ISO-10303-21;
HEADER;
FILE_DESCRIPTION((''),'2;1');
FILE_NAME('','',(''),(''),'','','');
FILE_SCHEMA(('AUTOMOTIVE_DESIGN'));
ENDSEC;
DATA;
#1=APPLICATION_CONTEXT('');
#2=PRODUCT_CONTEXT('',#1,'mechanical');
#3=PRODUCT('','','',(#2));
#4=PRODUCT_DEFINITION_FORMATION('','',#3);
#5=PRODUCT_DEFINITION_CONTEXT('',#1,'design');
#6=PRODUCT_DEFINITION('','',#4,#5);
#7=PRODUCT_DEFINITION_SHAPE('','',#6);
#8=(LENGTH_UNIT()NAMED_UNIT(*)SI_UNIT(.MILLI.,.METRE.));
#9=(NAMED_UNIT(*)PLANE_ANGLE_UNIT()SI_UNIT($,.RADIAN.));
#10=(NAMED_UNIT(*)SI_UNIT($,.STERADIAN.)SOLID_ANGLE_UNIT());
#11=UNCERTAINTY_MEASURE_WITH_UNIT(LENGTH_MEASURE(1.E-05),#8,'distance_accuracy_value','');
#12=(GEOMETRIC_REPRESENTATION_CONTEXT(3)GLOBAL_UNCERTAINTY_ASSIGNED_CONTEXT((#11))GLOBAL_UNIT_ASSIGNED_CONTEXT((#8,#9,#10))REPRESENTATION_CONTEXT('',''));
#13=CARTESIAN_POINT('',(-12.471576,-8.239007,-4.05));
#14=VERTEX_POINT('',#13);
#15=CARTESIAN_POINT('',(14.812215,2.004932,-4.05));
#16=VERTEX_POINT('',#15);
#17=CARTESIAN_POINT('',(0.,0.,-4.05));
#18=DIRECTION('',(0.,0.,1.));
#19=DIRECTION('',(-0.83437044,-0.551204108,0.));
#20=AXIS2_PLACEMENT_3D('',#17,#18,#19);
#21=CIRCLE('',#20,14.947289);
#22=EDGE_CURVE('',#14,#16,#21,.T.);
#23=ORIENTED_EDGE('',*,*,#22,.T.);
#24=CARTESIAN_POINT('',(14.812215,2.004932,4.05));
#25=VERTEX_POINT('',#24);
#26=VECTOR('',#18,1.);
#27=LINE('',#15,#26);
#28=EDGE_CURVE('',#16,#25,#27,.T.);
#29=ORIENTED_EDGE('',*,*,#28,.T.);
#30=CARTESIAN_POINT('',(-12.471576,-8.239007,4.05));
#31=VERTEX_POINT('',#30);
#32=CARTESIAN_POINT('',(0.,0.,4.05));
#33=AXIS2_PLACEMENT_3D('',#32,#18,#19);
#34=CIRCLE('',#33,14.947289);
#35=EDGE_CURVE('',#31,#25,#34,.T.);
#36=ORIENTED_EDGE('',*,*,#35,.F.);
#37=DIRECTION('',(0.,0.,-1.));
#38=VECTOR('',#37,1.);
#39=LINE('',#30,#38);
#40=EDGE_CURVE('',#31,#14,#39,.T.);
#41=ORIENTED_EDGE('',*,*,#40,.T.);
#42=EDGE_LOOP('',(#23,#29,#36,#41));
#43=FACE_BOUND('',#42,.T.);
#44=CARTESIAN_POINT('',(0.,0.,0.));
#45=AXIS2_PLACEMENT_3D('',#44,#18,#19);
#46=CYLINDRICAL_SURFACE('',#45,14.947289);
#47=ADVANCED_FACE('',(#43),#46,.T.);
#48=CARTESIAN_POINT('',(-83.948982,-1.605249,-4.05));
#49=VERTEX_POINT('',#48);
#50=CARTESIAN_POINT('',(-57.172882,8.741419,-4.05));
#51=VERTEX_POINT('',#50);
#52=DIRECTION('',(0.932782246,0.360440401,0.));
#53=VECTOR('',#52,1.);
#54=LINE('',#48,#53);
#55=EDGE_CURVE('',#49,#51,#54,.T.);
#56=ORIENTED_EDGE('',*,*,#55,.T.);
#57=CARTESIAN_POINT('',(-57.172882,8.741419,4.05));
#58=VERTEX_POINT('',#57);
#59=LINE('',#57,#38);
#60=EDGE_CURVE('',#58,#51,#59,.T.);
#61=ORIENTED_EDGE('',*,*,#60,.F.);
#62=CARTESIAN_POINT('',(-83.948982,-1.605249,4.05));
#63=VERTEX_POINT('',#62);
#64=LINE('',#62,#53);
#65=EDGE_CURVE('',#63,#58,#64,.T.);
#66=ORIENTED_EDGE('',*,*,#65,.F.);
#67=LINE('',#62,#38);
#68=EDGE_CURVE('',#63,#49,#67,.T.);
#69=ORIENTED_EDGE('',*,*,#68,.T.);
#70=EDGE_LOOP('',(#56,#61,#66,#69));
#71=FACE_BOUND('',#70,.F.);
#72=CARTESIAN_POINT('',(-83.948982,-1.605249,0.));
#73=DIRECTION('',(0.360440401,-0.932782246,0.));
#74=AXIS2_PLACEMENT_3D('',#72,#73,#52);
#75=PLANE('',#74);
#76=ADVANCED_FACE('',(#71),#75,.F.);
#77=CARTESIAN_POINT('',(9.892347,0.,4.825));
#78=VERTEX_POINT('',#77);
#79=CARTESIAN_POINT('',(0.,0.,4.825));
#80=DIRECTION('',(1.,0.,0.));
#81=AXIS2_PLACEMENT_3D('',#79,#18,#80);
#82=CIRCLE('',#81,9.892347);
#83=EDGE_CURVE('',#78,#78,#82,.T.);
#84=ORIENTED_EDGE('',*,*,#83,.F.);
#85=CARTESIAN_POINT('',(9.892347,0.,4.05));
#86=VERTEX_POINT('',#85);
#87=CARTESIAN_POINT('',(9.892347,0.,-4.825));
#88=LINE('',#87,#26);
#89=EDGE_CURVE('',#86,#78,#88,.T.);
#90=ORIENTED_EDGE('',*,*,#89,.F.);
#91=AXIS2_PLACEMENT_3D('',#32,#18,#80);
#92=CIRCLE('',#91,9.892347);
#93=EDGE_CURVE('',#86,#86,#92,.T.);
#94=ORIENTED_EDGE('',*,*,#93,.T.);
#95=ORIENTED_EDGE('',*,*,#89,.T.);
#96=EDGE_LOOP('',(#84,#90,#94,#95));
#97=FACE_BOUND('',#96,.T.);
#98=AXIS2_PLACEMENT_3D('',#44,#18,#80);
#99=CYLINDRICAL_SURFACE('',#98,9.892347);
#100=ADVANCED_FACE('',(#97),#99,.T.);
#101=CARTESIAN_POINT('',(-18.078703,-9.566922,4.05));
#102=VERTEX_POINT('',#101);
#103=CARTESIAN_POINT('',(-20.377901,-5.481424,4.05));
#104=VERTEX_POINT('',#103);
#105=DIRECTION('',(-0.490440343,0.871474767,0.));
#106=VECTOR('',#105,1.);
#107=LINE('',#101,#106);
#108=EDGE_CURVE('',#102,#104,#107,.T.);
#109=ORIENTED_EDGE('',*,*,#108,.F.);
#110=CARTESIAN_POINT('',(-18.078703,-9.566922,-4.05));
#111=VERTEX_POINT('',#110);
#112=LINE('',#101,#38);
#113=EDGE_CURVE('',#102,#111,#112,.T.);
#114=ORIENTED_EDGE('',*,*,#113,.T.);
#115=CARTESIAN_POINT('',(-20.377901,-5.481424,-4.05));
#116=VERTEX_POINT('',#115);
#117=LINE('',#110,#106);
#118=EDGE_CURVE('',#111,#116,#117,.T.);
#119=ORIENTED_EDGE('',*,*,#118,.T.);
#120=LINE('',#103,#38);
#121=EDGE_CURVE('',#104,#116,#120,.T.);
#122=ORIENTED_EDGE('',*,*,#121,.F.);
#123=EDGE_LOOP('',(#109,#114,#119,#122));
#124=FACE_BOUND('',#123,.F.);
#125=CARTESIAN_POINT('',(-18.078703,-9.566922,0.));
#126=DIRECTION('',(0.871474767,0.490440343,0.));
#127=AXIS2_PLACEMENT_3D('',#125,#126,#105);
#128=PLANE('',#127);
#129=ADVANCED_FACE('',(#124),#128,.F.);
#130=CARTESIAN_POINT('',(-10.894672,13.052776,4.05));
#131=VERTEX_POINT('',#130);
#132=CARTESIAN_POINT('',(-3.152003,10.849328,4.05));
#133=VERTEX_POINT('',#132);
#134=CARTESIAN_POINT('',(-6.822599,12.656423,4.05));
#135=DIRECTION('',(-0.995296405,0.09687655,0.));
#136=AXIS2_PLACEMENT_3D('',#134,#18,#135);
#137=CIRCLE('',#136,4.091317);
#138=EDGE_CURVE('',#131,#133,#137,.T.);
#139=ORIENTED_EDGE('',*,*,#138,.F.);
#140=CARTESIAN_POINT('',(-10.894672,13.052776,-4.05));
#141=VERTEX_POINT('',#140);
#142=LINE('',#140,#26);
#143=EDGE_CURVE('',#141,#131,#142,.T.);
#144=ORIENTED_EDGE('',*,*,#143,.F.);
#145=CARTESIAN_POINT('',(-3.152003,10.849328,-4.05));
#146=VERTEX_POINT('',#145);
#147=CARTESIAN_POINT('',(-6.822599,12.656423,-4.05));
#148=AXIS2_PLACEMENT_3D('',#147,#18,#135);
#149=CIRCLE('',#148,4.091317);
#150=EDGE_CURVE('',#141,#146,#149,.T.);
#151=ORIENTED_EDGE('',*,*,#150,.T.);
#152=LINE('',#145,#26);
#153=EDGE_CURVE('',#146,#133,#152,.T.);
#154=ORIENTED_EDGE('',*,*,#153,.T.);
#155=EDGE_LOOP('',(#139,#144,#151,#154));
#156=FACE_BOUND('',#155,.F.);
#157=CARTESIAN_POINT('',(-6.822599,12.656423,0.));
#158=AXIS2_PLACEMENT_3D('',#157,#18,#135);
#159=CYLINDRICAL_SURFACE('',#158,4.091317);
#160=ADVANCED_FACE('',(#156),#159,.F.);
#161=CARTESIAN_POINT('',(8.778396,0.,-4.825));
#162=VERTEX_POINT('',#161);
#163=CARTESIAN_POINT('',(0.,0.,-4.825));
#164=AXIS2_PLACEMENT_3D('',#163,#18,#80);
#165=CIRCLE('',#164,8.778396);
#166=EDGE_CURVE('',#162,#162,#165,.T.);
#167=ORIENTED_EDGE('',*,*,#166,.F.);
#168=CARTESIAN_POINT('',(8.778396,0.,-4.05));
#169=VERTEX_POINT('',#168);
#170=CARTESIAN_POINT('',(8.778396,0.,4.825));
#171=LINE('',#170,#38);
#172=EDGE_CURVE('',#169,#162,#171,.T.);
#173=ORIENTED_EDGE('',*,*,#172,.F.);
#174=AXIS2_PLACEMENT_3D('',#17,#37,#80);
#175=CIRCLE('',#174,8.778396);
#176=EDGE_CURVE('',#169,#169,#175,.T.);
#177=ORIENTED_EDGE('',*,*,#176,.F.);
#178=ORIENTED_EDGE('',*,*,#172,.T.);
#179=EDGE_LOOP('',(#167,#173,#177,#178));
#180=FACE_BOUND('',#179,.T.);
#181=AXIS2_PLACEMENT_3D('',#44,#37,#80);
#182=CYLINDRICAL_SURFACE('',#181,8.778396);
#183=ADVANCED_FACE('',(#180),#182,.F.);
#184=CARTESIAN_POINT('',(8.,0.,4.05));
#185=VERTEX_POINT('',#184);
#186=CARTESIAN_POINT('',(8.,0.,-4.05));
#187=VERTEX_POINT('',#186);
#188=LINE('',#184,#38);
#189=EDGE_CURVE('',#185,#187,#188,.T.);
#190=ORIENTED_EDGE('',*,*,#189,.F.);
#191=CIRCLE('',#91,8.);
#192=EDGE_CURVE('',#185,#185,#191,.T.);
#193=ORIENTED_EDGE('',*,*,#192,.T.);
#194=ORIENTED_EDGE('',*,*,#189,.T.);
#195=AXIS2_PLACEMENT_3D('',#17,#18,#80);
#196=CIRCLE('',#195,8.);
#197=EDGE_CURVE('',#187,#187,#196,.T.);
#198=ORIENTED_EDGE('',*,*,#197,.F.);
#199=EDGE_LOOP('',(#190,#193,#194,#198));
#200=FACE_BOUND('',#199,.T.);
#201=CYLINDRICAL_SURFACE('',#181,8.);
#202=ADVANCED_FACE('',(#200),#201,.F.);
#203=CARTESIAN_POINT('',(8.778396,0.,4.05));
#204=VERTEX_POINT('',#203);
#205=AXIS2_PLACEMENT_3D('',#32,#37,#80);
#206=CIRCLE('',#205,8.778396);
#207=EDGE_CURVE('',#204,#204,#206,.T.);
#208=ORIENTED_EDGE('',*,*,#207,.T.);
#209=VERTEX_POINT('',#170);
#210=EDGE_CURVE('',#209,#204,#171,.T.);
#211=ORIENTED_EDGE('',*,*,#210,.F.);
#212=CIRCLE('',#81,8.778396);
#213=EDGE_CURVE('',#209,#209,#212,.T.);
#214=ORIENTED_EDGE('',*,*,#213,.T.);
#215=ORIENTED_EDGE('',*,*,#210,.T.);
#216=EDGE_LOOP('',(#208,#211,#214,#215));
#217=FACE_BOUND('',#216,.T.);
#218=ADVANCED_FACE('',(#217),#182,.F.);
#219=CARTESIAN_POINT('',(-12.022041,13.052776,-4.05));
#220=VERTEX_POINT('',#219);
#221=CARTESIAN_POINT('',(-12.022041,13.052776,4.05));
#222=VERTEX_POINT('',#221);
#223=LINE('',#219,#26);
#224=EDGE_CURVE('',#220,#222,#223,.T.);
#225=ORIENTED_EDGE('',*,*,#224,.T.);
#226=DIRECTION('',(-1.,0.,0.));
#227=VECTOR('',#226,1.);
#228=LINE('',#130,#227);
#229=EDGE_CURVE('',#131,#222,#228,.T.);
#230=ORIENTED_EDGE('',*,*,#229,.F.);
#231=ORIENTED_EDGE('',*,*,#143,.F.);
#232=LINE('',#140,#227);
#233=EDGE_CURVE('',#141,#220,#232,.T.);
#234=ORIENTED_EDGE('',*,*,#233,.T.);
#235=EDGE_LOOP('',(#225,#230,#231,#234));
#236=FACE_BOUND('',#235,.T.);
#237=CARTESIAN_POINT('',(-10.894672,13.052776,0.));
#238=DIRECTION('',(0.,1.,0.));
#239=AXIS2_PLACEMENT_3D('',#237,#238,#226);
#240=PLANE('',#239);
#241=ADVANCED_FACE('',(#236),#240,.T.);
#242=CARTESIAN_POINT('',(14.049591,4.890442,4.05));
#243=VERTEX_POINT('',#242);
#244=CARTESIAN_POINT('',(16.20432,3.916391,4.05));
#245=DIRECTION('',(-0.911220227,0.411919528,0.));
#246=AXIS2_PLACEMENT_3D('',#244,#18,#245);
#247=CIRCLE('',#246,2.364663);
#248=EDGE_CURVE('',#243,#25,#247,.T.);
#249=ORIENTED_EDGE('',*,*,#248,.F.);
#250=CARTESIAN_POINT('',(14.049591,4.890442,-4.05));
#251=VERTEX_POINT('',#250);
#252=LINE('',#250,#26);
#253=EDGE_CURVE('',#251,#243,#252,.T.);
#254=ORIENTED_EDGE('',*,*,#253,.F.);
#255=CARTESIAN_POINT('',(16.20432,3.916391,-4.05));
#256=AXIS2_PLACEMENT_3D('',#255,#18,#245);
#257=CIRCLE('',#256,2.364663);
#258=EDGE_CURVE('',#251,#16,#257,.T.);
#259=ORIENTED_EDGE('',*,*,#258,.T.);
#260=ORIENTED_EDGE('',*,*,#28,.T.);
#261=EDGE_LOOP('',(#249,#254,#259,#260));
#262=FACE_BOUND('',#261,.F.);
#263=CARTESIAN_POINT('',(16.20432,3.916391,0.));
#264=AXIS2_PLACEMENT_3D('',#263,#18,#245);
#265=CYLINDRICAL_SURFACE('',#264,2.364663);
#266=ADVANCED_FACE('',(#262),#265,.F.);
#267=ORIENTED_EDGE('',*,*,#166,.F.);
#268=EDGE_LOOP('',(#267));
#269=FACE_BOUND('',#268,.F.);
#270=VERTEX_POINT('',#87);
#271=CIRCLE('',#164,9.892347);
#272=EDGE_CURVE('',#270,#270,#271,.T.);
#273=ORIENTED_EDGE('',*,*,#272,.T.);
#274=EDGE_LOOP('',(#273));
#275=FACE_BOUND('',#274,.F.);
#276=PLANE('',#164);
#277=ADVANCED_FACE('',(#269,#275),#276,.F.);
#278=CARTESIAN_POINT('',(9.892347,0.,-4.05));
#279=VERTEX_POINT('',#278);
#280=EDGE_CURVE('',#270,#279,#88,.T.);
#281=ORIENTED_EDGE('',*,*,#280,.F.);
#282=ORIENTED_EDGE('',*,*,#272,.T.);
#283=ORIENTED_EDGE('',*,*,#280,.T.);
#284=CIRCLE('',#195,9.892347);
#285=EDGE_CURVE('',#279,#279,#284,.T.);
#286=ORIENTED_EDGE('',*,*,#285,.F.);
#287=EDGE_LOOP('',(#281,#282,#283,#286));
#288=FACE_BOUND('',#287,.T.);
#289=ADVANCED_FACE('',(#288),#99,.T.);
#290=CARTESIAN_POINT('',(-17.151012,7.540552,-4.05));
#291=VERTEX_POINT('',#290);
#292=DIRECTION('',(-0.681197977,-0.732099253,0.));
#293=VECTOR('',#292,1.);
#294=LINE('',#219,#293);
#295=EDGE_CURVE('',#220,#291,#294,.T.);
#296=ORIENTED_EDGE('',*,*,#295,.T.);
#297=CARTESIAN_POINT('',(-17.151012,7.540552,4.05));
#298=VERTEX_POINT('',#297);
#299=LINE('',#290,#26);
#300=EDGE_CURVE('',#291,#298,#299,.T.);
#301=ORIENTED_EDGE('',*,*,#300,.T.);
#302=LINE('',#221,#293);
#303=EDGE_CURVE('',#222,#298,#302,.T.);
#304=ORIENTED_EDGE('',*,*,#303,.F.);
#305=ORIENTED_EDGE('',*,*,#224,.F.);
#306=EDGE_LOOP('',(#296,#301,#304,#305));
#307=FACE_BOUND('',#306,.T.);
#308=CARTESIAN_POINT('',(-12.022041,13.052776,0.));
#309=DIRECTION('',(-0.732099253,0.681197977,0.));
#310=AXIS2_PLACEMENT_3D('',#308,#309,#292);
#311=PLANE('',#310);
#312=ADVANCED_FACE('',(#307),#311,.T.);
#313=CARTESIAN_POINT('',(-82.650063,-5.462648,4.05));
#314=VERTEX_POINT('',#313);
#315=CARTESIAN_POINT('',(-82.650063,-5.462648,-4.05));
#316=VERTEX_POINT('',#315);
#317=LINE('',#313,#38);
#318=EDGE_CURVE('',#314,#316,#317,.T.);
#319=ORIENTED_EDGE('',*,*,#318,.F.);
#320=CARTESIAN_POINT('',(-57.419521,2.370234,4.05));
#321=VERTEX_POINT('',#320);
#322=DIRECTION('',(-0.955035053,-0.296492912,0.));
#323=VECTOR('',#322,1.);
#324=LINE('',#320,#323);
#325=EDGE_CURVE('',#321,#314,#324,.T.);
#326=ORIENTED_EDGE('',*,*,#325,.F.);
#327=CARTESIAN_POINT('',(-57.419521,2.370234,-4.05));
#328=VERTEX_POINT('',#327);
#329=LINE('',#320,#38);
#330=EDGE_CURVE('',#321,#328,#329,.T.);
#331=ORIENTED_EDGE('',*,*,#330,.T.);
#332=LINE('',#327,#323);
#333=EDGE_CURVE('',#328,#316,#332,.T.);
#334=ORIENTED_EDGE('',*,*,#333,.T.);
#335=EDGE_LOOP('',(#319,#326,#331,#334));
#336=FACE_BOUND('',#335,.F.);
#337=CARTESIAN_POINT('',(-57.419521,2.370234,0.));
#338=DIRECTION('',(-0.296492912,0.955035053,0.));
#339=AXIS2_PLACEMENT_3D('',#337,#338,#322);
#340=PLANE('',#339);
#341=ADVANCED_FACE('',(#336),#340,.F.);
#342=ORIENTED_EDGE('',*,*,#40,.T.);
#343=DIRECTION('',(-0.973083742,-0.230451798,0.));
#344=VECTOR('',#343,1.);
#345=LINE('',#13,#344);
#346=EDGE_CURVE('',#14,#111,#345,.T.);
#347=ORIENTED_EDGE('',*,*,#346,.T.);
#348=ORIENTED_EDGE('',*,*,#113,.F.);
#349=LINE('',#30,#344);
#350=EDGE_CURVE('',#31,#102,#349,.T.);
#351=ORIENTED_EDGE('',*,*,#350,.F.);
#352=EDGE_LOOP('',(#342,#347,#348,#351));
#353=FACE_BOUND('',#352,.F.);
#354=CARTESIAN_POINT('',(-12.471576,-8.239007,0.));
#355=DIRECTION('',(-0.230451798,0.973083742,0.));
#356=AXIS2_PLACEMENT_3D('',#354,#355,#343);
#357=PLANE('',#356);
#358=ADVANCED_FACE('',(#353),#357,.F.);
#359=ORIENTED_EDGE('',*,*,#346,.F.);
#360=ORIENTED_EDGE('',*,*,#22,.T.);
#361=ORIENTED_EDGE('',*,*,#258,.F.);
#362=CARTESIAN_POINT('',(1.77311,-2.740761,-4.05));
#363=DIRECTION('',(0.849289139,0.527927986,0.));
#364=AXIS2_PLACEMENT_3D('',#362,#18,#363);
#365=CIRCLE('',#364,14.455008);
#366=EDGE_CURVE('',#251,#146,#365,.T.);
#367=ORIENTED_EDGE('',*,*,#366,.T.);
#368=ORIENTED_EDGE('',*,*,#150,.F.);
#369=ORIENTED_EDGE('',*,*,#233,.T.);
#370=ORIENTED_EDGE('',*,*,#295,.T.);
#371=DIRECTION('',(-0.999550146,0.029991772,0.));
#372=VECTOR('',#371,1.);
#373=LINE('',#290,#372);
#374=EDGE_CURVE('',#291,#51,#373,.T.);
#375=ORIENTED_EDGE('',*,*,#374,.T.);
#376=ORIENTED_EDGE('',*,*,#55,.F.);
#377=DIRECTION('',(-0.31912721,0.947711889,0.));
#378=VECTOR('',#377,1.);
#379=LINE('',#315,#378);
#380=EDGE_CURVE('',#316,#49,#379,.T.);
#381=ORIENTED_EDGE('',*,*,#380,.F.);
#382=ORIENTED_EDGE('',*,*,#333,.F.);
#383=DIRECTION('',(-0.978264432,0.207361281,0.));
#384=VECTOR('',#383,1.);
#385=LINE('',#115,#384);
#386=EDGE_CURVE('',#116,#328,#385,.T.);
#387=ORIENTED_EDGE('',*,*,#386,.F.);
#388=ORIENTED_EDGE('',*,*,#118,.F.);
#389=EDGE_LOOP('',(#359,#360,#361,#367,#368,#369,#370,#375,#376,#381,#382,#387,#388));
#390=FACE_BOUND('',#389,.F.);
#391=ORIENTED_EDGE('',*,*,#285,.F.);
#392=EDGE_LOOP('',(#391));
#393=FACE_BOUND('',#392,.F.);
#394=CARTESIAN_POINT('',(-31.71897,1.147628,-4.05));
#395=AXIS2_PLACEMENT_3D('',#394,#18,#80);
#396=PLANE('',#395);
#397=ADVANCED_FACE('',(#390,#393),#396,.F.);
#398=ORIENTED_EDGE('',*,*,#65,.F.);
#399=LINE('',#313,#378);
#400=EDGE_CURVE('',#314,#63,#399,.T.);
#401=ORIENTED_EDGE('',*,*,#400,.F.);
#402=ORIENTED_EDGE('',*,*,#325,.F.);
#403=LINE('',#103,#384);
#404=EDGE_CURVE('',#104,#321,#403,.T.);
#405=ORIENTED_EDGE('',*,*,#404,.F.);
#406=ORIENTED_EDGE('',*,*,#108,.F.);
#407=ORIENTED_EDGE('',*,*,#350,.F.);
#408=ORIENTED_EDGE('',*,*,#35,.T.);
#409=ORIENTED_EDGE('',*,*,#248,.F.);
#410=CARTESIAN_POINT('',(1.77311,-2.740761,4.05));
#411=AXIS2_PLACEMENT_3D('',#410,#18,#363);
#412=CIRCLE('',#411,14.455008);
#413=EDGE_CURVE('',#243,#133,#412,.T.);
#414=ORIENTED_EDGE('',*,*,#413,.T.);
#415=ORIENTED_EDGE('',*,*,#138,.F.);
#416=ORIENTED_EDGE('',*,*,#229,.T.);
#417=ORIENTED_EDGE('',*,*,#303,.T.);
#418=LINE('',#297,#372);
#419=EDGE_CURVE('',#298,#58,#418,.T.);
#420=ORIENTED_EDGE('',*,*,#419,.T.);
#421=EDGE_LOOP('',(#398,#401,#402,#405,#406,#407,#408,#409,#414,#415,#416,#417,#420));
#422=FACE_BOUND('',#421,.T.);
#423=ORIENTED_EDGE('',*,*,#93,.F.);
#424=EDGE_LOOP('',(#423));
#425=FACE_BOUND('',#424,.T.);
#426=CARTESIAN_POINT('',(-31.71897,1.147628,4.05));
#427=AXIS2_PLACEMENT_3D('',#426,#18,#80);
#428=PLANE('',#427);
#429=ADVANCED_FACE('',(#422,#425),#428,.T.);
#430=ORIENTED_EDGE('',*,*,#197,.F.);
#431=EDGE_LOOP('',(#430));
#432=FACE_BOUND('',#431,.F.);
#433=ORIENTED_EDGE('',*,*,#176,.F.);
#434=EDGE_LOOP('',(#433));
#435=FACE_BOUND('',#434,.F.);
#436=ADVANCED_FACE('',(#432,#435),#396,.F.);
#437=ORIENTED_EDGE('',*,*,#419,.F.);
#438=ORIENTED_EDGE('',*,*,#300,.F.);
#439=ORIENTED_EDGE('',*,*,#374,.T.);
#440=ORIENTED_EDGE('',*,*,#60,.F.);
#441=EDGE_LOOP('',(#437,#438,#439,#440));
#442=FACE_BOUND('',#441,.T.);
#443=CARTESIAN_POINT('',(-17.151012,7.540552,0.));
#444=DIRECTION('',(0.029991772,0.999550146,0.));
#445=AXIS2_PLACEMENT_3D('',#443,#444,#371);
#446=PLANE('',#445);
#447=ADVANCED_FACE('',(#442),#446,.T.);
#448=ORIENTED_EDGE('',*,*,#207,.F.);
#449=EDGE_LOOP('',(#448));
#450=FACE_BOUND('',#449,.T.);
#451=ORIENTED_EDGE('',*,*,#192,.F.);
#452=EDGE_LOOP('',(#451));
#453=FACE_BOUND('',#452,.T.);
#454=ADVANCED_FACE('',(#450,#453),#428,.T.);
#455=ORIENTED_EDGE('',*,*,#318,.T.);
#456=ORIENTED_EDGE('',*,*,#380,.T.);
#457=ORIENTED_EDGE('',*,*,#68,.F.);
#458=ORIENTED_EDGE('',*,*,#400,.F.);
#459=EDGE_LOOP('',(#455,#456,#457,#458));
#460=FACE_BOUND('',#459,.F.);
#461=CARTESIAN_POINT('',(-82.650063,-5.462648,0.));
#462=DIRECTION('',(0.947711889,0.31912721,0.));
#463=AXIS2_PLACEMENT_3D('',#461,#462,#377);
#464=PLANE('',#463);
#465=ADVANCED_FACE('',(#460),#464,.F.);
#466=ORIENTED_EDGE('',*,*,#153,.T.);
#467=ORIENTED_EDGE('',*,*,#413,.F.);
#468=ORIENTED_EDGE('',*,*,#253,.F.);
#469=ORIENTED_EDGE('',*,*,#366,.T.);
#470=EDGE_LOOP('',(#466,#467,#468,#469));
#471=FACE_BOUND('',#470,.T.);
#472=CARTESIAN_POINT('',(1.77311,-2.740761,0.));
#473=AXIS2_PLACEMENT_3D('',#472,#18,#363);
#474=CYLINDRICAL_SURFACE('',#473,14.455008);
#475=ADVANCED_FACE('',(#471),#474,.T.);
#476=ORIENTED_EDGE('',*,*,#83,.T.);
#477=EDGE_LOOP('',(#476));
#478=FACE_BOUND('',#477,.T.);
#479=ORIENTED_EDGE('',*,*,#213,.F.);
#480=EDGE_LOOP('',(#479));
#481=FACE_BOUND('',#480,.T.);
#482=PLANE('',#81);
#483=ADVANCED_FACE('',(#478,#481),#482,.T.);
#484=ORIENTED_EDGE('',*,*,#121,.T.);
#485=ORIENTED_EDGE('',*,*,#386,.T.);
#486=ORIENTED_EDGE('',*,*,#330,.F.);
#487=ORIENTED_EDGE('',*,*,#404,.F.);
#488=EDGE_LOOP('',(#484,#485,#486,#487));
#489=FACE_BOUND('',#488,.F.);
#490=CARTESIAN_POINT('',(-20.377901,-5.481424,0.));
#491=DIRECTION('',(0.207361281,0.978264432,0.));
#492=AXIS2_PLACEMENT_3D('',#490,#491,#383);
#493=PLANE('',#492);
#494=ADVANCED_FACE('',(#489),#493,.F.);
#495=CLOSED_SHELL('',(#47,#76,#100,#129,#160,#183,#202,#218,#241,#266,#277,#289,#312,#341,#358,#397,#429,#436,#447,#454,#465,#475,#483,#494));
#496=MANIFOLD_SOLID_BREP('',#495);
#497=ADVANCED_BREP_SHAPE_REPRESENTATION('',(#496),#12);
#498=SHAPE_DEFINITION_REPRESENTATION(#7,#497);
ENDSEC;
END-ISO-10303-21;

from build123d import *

# Parameters (mm, degrees)
SKETCH001_R   = 8
PAD_DEPTH     = 4.05
SKETCH002_R   = 9.892347
SKETCH002_R_2 = 8.778396
PAD001_DEPTH  = 4.825


with BuildPart() as part:
    # Sketch001 → Pad (new body, symmetric)
    with BuildSketch(Plane.XY):
        with BuildLine():
            ThreePointArc((-12.471576, -8.239007), (5.253972, -13.993471), (14.812215, 2.004932))
            ThreePointArc((14.049591, 4.890442), (13.918155, 3.312171), (14.812215, 2.004932))
            ThreePointArc((14.049591, 4.890442), (6.504678, 10.917918), (-3.152003, 10.849328))
            ThreePointArc((-10.894672, 13.052776), (-7.942462, 8.721353), (-3.152003, 10.849328))
            Line((-10.894672, 13.052776), (-12.022041, 13.052776))
            Line((-12.022041, 13.052776), (-17.151012, 7.540552))
            Line((-17.151012, 7.540552), (-57.172882, 8.741419))
            Line((-83.948982, -1.605249), (-57.172882, 8.741419))
            Line((-82.650063, -5.462648), (-83.948982, -1.605249))
            Line((-57.419521, 2.370234), (-82.650063, -5.462648))
            Line((-20.377901, -5.481424), (-57.419521, 2.370234))
            Line((-18.078703, -9.566922), (-20.377901, -5.481424))
            Line((-12.471576, -8.239007), (-18.078703, -9.566922))
        make_face()
        Circle(SKETCH001_R, mode=Mode.SUBTRACT)
    extrude(amount=PAD_DEPTH, both=True)

    # Sketch002 → Pad001 (join, symmetric)
    with BuildSketch(Plane.XY):
        Circle(SKETCH002_R)
        Circle(SKETCH002_R_2, mode=Mode.SUBTRACT)
    extrude(amount=PAD001_DEPTH, both=True)


solid = part.part
